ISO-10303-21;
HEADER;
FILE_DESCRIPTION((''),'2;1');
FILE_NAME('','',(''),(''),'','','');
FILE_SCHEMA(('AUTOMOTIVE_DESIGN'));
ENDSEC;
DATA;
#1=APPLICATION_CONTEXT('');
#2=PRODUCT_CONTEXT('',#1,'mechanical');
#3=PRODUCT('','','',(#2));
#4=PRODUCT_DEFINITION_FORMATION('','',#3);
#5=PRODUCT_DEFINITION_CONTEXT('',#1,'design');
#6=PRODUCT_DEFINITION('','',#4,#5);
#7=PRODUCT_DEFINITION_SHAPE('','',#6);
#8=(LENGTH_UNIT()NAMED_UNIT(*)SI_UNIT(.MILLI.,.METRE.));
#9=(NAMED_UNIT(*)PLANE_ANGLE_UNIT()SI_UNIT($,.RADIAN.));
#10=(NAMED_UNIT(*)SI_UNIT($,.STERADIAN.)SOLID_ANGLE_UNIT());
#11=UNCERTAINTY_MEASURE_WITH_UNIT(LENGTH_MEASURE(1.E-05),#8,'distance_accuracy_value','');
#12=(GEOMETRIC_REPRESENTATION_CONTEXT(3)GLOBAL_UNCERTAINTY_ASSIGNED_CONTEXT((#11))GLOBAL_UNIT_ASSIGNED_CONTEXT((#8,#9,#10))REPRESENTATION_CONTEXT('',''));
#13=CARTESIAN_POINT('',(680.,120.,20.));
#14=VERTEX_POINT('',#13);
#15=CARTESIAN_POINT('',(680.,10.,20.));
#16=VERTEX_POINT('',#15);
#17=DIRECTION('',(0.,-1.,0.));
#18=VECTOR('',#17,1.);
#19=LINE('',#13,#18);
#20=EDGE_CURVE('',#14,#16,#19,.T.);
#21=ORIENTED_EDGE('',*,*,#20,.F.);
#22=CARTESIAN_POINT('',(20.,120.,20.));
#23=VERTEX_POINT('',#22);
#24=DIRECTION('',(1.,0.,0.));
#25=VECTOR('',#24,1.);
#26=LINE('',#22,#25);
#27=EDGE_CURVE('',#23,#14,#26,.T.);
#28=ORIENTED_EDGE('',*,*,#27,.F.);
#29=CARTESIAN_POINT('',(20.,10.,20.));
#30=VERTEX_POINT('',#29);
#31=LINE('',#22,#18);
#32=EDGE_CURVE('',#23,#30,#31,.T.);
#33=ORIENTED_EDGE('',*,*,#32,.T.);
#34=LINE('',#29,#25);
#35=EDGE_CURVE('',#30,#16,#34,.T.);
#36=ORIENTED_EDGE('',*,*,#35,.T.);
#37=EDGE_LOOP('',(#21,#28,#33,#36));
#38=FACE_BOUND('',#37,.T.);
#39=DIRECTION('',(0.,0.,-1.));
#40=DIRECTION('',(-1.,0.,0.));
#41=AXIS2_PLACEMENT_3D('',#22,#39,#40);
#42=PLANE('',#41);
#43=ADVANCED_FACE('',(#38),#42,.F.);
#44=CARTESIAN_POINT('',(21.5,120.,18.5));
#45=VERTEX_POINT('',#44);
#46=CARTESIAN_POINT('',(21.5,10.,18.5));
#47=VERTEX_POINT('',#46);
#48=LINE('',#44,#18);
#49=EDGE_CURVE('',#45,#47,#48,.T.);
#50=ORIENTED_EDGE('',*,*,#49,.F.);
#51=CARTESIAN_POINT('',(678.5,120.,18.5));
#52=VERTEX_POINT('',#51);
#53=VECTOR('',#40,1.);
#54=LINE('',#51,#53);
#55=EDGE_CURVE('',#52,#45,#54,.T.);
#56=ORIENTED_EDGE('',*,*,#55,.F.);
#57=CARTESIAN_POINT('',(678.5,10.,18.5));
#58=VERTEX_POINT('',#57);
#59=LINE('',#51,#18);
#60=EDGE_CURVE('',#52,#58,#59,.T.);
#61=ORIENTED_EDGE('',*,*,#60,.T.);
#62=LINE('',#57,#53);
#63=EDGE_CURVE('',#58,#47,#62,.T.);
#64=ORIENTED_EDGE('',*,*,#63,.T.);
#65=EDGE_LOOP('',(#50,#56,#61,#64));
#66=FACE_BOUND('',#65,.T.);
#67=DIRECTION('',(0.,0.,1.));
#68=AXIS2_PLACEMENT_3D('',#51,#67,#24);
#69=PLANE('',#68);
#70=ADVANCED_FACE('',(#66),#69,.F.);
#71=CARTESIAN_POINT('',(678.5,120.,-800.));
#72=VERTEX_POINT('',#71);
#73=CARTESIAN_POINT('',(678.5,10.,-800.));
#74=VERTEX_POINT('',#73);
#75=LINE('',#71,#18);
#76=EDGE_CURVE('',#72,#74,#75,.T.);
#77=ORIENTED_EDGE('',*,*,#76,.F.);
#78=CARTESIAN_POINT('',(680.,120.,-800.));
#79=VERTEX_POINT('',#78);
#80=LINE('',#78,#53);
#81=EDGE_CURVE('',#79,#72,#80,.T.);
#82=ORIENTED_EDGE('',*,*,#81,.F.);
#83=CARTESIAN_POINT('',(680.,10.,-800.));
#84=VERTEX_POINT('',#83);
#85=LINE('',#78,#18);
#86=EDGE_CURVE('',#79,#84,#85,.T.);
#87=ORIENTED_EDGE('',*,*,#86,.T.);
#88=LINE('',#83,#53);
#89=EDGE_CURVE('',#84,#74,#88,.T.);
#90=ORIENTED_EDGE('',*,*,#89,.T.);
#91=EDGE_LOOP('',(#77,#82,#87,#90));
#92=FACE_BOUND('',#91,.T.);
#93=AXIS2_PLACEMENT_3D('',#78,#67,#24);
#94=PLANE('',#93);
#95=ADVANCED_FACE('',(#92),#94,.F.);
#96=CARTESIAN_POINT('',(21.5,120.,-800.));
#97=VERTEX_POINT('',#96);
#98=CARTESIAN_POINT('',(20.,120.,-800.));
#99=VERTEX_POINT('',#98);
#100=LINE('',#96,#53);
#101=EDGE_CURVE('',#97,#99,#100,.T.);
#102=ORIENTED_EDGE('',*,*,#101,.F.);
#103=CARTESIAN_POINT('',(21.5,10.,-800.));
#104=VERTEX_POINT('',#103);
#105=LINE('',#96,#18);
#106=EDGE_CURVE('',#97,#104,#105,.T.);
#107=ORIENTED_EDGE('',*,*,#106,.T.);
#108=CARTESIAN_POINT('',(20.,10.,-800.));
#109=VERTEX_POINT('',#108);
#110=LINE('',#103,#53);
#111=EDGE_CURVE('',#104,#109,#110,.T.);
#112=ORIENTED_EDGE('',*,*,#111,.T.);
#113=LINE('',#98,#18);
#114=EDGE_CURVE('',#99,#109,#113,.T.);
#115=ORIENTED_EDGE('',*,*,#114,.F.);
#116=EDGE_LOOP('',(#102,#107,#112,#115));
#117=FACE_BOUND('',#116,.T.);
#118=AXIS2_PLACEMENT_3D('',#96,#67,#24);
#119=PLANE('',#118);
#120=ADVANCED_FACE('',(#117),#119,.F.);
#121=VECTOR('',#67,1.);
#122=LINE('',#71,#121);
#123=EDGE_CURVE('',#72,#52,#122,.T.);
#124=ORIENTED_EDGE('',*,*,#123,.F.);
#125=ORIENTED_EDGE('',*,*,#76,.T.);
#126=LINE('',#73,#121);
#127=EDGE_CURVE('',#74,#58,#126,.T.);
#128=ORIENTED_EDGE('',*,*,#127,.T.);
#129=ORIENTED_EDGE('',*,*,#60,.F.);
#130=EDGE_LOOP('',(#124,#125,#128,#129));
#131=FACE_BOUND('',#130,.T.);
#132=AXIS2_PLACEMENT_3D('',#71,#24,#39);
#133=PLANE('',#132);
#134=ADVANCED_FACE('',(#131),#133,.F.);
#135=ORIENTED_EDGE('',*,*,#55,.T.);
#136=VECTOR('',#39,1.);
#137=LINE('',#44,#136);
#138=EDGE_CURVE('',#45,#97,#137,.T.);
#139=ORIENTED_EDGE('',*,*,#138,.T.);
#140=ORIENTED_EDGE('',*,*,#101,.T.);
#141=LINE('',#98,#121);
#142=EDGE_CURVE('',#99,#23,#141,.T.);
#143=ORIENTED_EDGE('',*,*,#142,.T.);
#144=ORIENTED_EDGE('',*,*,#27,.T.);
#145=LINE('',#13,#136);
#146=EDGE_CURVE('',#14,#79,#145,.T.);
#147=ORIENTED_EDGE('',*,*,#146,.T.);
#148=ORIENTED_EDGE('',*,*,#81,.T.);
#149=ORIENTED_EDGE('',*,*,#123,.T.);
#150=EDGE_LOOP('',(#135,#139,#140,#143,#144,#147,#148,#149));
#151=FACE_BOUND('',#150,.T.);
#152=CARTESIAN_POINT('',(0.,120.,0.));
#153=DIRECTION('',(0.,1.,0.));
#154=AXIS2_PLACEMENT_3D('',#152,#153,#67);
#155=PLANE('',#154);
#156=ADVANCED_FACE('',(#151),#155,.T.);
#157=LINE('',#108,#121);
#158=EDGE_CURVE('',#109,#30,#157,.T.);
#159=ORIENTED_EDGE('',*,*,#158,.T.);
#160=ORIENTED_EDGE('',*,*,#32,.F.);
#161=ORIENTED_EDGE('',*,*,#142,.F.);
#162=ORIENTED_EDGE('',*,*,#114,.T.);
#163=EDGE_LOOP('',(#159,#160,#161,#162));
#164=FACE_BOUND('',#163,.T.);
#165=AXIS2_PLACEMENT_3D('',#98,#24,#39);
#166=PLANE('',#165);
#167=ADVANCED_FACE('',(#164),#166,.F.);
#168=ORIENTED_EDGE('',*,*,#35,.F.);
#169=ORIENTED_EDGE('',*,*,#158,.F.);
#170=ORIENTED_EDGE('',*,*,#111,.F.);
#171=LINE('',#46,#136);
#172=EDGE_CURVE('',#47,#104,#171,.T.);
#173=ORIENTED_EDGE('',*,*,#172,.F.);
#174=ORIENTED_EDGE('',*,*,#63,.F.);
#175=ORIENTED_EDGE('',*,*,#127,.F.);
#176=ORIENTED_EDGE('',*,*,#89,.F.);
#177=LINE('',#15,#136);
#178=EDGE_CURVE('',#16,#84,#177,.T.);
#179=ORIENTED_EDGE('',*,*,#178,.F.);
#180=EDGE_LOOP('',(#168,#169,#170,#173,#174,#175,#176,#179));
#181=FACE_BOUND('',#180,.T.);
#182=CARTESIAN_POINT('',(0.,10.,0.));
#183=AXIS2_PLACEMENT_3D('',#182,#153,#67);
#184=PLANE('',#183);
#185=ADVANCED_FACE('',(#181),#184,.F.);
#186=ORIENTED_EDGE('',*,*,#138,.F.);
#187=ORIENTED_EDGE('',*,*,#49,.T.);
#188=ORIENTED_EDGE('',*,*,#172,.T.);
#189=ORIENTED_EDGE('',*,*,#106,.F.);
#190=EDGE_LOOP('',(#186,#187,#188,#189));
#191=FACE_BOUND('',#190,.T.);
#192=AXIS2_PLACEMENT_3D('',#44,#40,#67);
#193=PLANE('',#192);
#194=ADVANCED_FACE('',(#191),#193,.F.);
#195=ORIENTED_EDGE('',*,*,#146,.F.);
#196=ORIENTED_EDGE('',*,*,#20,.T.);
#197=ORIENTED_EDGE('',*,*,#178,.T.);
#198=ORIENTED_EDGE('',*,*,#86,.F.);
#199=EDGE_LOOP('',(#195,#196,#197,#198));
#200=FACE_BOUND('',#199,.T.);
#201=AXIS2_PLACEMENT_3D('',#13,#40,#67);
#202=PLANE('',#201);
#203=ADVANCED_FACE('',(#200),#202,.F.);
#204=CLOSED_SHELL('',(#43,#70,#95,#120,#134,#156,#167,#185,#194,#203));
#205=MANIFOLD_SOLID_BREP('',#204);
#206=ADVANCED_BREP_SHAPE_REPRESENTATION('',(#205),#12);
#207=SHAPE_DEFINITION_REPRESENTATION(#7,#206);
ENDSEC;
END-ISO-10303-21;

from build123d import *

# Parameters (mm, degrees)
PACK_PLINT_U_1_START = 10
PACK_PLINT_U_1_DEPTH = 110


with BuildPart() as part:
    # Sketch1 → PACK_plint_U_1 (new body)
    with BuildSketch(Plane(origin=(0, 0, 0), x_dir=(1, 0, 0), z_dir=(0, 1, 0)).offset(PACK_PLINT_U_1_START)):
        Polygon((20, 800), (20, -20), (680, -20), (680, 800), (678.5, 800), (678.5, -18.5), (21.5, -18.5), (21.5, 800), align=None)
    extrude(amount=PACK_PLINT_U_1_DEPTH)


solid = part.part
